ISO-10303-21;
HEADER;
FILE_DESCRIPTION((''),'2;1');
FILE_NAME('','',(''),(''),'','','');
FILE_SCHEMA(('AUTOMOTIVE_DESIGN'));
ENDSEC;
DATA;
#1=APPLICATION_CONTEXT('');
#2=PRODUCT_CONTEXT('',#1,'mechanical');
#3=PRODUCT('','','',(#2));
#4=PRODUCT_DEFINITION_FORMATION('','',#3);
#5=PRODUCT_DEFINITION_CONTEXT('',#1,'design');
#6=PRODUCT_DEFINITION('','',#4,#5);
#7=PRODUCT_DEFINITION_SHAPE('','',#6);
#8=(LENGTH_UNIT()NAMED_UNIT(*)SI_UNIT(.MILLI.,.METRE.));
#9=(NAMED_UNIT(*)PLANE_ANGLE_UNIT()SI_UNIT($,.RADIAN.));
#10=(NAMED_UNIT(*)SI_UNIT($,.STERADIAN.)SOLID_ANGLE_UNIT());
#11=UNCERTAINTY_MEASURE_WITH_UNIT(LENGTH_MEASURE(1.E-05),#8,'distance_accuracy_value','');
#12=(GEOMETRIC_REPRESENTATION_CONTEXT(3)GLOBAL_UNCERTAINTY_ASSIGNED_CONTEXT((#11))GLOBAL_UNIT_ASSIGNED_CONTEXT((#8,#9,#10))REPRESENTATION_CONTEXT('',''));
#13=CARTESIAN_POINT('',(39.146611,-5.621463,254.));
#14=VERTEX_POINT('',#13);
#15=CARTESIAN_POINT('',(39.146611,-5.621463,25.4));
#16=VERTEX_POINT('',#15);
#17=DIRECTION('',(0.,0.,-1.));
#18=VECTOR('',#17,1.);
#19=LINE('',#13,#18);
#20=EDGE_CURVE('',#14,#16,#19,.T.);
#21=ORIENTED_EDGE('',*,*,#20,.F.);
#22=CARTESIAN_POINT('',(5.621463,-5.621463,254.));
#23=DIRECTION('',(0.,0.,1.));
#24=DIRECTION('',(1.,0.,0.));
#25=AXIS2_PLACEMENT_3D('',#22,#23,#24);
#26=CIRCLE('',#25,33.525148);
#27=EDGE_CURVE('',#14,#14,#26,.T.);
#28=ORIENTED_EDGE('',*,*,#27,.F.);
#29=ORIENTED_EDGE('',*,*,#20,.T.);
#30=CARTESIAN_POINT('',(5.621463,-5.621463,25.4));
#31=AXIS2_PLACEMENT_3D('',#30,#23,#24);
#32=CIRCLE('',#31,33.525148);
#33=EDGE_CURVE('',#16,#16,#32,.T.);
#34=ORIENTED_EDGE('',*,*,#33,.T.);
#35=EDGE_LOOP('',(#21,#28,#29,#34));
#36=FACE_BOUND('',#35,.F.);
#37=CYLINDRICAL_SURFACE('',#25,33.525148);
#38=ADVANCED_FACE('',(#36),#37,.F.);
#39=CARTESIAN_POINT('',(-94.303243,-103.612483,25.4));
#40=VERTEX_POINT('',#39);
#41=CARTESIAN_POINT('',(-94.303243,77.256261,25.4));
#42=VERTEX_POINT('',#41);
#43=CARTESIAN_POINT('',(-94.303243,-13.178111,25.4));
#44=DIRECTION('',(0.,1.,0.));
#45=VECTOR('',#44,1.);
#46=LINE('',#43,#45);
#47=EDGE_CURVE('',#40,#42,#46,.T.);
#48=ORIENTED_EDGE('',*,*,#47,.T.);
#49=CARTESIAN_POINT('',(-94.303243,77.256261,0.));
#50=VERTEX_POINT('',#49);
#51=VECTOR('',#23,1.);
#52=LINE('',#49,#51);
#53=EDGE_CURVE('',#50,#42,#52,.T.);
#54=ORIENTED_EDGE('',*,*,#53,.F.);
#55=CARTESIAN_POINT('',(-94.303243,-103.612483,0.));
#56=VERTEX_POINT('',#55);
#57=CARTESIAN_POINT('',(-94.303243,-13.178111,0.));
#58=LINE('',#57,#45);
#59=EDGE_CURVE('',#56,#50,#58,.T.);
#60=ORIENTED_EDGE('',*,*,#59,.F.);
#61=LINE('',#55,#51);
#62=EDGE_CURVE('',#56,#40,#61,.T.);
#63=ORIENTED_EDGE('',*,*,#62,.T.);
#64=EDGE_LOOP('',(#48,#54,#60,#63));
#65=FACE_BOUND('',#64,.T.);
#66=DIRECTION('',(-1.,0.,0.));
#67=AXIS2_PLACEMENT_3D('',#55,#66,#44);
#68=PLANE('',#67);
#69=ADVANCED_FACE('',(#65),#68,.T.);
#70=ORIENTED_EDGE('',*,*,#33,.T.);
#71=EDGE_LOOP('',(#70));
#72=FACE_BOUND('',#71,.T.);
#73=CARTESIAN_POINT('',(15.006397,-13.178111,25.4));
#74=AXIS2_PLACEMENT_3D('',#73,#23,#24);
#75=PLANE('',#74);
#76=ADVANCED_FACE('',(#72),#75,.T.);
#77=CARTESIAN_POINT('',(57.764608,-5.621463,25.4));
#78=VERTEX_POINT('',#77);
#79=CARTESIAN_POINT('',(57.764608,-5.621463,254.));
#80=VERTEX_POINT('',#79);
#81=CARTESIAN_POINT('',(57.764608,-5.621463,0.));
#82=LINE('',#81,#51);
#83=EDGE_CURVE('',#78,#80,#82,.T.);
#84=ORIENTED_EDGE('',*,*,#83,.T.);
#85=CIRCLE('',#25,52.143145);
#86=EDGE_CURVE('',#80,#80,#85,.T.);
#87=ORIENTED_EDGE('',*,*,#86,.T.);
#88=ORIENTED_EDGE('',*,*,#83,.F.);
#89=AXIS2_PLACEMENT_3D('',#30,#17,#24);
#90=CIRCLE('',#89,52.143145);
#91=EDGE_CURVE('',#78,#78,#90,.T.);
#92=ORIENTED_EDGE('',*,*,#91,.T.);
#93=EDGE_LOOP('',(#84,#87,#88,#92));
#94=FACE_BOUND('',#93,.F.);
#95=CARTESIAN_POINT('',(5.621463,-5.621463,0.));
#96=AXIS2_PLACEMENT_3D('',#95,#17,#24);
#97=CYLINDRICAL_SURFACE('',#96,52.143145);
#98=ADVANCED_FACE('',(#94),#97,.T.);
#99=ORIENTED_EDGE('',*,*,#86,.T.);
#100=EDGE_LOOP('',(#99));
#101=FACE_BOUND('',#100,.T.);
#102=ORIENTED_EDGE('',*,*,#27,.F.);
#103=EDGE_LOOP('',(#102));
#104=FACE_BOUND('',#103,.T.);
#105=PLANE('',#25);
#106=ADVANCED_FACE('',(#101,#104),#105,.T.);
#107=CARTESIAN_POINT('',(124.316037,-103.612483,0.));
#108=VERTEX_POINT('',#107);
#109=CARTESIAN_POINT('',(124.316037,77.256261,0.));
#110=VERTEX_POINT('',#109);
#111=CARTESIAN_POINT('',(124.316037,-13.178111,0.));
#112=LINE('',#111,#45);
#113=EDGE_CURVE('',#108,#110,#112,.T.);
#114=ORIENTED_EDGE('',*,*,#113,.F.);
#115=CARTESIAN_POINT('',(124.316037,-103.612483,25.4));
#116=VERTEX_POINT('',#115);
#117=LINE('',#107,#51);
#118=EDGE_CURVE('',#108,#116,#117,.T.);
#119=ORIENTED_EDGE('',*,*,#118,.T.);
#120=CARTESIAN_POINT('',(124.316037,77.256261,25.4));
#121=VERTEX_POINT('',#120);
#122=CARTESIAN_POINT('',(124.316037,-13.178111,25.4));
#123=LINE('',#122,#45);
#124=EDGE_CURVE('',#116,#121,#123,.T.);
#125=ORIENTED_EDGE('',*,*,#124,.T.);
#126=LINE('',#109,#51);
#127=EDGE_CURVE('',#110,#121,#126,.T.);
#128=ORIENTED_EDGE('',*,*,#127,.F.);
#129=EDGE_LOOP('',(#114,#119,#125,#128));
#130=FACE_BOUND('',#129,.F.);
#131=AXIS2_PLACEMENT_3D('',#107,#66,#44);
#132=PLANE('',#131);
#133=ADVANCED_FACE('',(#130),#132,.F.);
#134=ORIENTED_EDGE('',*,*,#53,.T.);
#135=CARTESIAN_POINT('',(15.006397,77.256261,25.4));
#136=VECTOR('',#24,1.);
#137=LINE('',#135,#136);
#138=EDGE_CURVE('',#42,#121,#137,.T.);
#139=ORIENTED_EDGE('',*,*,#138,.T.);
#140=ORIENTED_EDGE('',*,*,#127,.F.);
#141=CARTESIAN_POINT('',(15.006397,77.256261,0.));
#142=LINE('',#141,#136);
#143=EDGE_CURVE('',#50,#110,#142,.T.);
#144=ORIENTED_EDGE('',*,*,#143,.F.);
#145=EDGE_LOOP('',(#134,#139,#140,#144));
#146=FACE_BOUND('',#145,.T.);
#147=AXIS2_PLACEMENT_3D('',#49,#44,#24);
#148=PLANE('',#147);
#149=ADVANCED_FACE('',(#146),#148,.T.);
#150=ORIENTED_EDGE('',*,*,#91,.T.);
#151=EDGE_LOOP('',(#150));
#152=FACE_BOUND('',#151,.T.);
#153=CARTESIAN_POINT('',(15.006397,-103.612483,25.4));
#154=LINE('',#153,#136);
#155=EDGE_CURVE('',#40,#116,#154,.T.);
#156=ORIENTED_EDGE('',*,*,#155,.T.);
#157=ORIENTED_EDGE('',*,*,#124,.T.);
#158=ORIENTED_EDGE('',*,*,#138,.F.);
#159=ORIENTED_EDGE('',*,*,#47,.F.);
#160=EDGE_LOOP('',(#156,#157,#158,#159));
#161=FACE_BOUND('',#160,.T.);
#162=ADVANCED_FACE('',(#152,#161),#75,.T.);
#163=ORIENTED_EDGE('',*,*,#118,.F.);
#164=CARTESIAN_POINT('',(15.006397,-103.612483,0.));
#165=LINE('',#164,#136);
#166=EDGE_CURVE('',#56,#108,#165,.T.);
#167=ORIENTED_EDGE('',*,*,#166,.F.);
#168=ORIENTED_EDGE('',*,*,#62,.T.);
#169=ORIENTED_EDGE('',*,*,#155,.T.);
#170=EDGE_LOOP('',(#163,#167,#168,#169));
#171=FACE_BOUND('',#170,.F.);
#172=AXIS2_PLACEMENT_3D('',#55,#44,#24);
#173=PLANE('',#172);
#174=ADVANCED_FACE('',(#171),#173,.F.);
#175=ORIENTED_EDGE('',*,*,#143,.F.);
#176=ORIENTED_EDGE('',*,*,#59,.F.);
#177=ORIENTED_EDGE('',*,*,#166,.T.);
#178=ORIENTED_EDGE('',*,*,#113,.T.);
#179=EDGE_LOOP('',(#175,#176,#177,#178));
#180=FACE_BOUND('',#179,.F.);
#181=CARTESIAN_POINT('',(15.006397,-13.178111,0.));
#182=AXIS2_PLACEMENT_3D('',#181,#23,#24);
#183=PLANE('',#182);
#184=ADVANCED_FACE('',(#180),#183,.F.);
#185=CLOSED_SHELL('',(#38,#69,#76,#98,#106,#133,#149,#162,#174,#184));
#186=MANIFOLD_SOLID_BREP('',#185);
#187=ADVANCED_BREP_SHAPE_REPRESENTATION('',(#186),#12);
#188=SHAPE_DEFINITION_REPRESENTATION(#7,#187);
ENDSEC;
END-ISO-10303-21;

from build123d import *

# Parameters (mm, degrees)
F0_R     = 52.143145
F1_DEPTH = 254
F2_R     = 33.525148
F3_DEPTH = 254.001
F4_W     = 218.61928
F4_H     = 180.868745
F5_DEPTH = 25.4


with BuildPart() as f1:
    # F0 (on Top) → F1 (new body)
    with BuildSketch(Plane.XY):
        with Locations((5.621463, -5.621463)):
            Circle(F0_R)
    extrude(amount=F1_DEPTH)

    # F2 (on face) → F3 (cut, through all)
    with BuildSketch(Plane.XY.offset(254)):
        with Locations((5.621463, -5.621463)):
            Circle(F2_R)
    extrude(amount=-F3_DEPTH, mode=Mode.SUBTRACT)

    # F4 (on Top) → F5 (join)
    with BuildSketch(Plane.XY):
        with Locations((15.006397, -13.178111)):
            Rectangle(F4_W, F4_H)
    extrude(amount=F5_DEPTH)


solid = f1.part
